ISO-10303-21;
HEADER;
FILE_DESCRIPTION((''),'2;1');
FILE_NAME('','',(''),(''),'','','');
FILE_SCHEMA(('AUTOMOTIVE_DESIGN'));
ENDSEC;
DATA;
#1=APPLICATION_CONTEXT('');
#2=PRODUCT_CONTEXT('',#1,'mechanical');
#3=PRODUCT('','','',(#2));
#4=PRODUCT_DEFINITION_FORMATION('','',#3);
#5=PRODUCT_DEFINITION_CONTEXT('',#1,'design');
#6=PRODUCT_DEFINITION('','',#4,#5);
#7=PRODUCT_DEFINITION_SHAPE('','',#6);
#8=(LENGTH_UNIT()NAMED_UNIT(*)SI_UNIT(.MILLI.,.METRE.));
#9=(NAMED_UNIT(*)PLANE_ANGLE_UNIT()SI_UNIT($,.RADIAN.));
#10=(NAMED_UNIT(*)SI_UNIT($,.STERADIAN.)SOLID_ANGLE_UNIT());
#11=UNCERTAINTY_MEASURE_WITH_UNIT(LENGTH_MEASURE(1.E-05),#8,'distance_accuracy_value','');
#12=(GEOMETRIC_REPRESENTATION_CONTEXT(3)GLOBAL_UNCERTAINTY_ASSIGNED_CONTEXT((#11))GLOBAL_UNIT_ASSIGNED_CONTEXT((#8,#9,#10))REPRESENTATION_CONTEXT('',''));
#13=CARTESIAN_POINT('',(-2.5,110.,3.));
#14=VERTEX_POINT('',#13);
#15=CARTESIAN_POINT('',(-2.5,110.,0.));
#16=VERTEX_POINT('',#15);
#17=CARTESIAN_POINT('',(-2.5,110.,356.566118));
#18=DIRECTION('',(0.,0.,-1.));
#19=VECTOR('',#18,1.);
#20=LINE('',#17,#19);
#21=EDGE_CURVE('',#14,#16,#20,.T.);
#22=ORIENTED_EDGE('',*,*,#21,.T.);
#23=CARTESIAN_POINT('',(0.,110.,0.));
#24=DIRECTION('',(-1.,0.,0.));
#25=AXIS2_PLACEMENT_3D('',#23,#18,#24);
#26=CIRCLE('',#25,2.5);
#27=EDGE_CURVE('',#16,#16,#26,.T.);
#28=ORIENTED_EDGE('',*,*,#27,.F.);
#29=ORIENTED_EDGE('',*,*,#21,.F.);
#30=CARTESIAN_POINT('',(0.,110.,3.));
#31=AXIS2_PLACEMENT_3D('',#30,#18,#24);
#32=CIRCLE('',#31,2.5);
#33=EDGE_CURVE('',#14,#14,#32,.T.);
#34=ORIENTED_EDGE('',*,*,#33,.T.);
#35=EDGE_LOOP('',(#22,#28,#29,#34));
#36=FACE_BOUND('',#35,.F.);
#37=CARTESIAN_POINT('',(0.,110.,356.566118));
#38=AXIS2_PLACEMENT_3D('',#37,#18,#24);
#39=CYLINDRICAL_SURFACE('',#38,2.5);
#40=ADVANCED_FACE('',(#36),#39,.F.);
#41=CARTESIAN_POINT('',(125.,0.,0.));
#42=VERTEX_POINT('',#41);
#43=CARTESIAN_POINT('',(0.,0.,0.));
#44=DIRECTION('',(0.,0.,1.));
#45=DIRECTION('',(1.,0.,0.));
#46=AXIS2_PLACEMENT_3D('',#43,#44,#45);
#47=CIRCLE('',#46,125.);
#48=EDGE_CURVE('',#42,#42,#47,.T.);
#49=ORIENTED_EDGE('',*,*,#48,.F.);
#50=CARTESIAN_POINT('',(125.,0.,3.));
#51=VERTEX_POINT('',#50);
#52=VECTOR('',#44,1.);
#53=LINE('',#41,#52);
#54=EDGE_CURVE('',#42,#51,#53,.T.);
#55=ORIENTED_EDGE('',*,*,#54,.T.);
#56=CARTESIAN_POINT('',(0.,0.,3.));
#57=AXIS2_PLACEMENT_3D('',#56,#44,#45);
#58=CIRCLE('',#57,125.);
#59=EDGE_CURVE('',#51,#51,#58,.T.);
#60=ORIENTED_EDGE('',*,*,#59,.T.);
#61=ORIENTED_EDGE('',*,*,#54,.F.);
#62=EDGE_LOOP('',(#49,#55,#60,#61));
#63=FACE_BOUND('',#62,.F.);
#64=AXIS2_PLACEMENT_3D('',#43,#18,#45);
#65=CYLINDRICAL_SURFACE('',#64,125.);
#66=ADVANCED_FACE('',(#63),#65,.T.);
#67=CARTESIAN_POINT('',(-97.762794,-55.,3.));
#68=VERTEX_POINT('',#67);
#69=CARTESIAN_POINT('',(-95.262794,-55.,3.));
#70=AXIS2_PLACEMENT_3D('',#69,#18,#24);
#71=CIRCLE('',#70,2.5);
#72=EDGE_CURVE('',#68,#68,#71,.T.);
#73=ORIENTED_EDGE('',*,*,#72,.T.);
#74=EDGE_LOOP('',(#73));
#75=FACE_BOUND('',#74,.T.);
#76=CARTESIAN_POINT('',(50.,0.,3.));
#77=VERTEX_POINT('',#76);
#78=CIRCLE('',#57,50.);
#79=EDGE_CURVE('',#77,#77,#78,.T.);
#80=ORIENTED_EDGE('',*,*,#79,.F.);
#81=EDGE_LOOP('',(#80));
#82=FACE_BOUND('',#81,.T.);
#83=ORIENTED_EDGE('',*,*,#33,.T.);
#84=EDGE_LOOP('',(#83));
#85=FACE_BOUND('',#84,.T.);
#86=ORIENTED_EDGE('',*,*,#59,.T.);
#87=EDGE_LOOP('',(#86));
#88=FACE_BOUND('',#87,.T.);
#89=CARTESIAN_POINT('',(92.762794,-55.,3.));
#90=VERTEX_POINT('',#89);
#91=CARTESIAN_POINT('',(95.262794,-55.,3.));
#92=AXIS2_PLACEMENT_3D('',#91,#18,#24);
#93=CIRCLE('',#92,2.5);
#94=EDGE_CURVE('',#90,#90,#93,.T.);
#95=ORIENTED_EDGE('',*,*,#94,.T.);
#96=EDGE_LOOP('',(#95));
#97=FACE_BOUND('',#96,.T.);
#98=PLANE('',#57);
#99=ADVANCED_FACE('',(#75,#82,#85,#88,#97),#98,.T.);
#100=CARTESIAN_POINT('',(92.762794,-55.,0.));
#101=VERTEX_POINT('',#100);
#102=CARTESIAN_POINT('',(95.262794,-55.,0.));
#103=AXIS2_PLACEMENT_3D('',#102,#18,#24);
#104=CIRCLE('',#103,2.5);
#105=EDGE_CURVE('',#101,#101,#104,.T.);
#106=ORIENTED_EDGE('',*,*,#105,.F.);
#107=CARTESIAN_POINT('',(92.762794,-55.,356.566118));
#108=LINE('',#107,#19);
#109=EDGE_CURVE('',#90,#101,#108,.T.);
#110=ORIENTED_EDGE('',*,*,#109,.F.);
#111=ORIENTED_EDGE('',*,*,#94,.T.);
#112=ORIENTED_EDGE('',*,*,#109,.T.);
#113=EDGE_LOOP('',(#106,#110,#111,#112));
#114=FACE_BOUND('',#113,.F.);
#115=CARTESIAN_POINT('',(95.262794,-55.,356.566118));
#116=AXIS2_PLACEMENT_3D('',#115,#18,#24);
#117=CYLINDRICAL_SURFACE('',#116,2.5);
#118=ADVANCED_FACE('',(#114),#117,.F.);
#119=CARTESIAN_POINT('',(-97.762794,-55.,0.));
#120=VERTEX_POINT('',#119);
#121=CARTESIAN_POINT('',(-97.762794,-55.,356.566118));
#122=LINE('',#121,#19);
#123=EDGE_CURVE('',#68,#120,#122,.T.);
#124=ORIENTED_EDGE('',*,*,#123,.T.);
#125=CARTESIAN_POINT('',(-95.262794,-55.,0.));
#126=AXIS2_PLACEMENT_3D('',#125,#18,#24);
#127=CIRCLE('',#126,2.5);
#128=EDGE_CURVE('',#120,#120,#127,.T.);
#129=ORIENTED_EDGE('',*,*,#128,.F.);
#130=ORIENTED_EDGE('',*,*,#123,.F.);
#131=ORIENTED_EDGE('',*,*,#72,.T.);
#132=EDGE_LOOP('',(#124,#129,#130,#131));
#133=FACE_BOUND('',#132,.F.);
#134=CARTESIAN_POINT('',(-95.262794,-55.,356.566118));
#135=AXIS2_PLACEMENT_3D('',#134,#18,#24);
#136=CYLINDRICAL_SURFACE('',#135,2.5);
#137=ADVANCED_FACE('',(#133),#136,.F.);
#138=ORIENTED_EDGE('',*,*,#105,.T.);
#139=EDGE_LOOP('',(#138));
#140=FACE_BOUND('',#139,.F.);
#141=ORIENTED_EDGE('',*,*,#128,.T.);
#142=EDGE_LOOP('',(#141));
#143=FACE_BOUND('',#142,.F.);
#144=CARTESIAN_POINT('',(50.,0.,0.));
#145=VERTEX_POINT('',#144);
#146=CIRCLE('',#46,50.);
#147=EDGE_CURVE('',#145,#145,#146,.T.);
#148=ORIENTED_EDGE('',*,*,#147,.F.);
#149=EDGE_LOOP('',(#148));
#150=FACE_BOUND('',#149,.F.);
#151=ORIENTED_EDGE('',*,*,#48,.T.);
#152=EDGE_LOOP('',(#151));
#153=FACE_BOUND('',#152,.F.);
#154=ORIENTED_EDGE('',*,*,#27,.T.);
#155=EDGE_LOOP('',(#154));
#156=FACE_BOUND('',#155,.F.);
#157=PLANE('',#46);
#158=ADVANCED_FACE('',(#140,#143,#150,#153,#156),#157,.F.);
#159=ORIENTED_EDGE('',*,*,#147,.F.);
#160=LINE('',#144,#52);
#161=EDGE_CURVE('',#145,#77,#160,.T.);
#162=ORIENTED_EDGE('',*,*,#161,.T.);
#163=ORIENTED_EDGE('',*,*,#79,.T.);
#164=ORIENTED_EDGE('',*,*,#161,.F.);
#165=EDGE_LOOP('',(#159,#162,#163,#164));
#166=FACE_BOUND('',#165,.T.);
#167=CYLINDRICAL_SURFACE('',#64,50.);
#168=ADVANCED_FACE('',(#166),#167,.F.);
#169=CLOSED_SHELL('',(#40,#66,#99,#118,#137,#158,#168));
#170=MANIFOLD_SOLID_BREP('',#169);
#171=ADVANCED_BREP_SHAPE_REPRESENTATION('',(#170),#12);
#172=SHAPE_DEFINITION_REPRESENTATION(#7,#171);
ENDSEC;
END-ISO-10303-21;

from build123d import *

# Parameters (mm, degrees)
F0_R     = 125
F0_R_2   = 50
F1_DEPTH = 3
F3_D     = 5


with BuildPart() as f1:
    # F0 (on Top) → F1 (new body)
    with BuildSketch(Plane.XY):
        Circle(F0_R)
        Circle(F0_R_2, mode=Mode.SUBTRACT)
    extrude(amount=F1_DEPTH)

    # F3 (through all)
    with Locations(Plane.XY.offset(3)):
        with Locations((0, 110), (95.262794, -55), (-95.262794, -55)):
            Hole(F3_D / 2)


solid = f1.part
